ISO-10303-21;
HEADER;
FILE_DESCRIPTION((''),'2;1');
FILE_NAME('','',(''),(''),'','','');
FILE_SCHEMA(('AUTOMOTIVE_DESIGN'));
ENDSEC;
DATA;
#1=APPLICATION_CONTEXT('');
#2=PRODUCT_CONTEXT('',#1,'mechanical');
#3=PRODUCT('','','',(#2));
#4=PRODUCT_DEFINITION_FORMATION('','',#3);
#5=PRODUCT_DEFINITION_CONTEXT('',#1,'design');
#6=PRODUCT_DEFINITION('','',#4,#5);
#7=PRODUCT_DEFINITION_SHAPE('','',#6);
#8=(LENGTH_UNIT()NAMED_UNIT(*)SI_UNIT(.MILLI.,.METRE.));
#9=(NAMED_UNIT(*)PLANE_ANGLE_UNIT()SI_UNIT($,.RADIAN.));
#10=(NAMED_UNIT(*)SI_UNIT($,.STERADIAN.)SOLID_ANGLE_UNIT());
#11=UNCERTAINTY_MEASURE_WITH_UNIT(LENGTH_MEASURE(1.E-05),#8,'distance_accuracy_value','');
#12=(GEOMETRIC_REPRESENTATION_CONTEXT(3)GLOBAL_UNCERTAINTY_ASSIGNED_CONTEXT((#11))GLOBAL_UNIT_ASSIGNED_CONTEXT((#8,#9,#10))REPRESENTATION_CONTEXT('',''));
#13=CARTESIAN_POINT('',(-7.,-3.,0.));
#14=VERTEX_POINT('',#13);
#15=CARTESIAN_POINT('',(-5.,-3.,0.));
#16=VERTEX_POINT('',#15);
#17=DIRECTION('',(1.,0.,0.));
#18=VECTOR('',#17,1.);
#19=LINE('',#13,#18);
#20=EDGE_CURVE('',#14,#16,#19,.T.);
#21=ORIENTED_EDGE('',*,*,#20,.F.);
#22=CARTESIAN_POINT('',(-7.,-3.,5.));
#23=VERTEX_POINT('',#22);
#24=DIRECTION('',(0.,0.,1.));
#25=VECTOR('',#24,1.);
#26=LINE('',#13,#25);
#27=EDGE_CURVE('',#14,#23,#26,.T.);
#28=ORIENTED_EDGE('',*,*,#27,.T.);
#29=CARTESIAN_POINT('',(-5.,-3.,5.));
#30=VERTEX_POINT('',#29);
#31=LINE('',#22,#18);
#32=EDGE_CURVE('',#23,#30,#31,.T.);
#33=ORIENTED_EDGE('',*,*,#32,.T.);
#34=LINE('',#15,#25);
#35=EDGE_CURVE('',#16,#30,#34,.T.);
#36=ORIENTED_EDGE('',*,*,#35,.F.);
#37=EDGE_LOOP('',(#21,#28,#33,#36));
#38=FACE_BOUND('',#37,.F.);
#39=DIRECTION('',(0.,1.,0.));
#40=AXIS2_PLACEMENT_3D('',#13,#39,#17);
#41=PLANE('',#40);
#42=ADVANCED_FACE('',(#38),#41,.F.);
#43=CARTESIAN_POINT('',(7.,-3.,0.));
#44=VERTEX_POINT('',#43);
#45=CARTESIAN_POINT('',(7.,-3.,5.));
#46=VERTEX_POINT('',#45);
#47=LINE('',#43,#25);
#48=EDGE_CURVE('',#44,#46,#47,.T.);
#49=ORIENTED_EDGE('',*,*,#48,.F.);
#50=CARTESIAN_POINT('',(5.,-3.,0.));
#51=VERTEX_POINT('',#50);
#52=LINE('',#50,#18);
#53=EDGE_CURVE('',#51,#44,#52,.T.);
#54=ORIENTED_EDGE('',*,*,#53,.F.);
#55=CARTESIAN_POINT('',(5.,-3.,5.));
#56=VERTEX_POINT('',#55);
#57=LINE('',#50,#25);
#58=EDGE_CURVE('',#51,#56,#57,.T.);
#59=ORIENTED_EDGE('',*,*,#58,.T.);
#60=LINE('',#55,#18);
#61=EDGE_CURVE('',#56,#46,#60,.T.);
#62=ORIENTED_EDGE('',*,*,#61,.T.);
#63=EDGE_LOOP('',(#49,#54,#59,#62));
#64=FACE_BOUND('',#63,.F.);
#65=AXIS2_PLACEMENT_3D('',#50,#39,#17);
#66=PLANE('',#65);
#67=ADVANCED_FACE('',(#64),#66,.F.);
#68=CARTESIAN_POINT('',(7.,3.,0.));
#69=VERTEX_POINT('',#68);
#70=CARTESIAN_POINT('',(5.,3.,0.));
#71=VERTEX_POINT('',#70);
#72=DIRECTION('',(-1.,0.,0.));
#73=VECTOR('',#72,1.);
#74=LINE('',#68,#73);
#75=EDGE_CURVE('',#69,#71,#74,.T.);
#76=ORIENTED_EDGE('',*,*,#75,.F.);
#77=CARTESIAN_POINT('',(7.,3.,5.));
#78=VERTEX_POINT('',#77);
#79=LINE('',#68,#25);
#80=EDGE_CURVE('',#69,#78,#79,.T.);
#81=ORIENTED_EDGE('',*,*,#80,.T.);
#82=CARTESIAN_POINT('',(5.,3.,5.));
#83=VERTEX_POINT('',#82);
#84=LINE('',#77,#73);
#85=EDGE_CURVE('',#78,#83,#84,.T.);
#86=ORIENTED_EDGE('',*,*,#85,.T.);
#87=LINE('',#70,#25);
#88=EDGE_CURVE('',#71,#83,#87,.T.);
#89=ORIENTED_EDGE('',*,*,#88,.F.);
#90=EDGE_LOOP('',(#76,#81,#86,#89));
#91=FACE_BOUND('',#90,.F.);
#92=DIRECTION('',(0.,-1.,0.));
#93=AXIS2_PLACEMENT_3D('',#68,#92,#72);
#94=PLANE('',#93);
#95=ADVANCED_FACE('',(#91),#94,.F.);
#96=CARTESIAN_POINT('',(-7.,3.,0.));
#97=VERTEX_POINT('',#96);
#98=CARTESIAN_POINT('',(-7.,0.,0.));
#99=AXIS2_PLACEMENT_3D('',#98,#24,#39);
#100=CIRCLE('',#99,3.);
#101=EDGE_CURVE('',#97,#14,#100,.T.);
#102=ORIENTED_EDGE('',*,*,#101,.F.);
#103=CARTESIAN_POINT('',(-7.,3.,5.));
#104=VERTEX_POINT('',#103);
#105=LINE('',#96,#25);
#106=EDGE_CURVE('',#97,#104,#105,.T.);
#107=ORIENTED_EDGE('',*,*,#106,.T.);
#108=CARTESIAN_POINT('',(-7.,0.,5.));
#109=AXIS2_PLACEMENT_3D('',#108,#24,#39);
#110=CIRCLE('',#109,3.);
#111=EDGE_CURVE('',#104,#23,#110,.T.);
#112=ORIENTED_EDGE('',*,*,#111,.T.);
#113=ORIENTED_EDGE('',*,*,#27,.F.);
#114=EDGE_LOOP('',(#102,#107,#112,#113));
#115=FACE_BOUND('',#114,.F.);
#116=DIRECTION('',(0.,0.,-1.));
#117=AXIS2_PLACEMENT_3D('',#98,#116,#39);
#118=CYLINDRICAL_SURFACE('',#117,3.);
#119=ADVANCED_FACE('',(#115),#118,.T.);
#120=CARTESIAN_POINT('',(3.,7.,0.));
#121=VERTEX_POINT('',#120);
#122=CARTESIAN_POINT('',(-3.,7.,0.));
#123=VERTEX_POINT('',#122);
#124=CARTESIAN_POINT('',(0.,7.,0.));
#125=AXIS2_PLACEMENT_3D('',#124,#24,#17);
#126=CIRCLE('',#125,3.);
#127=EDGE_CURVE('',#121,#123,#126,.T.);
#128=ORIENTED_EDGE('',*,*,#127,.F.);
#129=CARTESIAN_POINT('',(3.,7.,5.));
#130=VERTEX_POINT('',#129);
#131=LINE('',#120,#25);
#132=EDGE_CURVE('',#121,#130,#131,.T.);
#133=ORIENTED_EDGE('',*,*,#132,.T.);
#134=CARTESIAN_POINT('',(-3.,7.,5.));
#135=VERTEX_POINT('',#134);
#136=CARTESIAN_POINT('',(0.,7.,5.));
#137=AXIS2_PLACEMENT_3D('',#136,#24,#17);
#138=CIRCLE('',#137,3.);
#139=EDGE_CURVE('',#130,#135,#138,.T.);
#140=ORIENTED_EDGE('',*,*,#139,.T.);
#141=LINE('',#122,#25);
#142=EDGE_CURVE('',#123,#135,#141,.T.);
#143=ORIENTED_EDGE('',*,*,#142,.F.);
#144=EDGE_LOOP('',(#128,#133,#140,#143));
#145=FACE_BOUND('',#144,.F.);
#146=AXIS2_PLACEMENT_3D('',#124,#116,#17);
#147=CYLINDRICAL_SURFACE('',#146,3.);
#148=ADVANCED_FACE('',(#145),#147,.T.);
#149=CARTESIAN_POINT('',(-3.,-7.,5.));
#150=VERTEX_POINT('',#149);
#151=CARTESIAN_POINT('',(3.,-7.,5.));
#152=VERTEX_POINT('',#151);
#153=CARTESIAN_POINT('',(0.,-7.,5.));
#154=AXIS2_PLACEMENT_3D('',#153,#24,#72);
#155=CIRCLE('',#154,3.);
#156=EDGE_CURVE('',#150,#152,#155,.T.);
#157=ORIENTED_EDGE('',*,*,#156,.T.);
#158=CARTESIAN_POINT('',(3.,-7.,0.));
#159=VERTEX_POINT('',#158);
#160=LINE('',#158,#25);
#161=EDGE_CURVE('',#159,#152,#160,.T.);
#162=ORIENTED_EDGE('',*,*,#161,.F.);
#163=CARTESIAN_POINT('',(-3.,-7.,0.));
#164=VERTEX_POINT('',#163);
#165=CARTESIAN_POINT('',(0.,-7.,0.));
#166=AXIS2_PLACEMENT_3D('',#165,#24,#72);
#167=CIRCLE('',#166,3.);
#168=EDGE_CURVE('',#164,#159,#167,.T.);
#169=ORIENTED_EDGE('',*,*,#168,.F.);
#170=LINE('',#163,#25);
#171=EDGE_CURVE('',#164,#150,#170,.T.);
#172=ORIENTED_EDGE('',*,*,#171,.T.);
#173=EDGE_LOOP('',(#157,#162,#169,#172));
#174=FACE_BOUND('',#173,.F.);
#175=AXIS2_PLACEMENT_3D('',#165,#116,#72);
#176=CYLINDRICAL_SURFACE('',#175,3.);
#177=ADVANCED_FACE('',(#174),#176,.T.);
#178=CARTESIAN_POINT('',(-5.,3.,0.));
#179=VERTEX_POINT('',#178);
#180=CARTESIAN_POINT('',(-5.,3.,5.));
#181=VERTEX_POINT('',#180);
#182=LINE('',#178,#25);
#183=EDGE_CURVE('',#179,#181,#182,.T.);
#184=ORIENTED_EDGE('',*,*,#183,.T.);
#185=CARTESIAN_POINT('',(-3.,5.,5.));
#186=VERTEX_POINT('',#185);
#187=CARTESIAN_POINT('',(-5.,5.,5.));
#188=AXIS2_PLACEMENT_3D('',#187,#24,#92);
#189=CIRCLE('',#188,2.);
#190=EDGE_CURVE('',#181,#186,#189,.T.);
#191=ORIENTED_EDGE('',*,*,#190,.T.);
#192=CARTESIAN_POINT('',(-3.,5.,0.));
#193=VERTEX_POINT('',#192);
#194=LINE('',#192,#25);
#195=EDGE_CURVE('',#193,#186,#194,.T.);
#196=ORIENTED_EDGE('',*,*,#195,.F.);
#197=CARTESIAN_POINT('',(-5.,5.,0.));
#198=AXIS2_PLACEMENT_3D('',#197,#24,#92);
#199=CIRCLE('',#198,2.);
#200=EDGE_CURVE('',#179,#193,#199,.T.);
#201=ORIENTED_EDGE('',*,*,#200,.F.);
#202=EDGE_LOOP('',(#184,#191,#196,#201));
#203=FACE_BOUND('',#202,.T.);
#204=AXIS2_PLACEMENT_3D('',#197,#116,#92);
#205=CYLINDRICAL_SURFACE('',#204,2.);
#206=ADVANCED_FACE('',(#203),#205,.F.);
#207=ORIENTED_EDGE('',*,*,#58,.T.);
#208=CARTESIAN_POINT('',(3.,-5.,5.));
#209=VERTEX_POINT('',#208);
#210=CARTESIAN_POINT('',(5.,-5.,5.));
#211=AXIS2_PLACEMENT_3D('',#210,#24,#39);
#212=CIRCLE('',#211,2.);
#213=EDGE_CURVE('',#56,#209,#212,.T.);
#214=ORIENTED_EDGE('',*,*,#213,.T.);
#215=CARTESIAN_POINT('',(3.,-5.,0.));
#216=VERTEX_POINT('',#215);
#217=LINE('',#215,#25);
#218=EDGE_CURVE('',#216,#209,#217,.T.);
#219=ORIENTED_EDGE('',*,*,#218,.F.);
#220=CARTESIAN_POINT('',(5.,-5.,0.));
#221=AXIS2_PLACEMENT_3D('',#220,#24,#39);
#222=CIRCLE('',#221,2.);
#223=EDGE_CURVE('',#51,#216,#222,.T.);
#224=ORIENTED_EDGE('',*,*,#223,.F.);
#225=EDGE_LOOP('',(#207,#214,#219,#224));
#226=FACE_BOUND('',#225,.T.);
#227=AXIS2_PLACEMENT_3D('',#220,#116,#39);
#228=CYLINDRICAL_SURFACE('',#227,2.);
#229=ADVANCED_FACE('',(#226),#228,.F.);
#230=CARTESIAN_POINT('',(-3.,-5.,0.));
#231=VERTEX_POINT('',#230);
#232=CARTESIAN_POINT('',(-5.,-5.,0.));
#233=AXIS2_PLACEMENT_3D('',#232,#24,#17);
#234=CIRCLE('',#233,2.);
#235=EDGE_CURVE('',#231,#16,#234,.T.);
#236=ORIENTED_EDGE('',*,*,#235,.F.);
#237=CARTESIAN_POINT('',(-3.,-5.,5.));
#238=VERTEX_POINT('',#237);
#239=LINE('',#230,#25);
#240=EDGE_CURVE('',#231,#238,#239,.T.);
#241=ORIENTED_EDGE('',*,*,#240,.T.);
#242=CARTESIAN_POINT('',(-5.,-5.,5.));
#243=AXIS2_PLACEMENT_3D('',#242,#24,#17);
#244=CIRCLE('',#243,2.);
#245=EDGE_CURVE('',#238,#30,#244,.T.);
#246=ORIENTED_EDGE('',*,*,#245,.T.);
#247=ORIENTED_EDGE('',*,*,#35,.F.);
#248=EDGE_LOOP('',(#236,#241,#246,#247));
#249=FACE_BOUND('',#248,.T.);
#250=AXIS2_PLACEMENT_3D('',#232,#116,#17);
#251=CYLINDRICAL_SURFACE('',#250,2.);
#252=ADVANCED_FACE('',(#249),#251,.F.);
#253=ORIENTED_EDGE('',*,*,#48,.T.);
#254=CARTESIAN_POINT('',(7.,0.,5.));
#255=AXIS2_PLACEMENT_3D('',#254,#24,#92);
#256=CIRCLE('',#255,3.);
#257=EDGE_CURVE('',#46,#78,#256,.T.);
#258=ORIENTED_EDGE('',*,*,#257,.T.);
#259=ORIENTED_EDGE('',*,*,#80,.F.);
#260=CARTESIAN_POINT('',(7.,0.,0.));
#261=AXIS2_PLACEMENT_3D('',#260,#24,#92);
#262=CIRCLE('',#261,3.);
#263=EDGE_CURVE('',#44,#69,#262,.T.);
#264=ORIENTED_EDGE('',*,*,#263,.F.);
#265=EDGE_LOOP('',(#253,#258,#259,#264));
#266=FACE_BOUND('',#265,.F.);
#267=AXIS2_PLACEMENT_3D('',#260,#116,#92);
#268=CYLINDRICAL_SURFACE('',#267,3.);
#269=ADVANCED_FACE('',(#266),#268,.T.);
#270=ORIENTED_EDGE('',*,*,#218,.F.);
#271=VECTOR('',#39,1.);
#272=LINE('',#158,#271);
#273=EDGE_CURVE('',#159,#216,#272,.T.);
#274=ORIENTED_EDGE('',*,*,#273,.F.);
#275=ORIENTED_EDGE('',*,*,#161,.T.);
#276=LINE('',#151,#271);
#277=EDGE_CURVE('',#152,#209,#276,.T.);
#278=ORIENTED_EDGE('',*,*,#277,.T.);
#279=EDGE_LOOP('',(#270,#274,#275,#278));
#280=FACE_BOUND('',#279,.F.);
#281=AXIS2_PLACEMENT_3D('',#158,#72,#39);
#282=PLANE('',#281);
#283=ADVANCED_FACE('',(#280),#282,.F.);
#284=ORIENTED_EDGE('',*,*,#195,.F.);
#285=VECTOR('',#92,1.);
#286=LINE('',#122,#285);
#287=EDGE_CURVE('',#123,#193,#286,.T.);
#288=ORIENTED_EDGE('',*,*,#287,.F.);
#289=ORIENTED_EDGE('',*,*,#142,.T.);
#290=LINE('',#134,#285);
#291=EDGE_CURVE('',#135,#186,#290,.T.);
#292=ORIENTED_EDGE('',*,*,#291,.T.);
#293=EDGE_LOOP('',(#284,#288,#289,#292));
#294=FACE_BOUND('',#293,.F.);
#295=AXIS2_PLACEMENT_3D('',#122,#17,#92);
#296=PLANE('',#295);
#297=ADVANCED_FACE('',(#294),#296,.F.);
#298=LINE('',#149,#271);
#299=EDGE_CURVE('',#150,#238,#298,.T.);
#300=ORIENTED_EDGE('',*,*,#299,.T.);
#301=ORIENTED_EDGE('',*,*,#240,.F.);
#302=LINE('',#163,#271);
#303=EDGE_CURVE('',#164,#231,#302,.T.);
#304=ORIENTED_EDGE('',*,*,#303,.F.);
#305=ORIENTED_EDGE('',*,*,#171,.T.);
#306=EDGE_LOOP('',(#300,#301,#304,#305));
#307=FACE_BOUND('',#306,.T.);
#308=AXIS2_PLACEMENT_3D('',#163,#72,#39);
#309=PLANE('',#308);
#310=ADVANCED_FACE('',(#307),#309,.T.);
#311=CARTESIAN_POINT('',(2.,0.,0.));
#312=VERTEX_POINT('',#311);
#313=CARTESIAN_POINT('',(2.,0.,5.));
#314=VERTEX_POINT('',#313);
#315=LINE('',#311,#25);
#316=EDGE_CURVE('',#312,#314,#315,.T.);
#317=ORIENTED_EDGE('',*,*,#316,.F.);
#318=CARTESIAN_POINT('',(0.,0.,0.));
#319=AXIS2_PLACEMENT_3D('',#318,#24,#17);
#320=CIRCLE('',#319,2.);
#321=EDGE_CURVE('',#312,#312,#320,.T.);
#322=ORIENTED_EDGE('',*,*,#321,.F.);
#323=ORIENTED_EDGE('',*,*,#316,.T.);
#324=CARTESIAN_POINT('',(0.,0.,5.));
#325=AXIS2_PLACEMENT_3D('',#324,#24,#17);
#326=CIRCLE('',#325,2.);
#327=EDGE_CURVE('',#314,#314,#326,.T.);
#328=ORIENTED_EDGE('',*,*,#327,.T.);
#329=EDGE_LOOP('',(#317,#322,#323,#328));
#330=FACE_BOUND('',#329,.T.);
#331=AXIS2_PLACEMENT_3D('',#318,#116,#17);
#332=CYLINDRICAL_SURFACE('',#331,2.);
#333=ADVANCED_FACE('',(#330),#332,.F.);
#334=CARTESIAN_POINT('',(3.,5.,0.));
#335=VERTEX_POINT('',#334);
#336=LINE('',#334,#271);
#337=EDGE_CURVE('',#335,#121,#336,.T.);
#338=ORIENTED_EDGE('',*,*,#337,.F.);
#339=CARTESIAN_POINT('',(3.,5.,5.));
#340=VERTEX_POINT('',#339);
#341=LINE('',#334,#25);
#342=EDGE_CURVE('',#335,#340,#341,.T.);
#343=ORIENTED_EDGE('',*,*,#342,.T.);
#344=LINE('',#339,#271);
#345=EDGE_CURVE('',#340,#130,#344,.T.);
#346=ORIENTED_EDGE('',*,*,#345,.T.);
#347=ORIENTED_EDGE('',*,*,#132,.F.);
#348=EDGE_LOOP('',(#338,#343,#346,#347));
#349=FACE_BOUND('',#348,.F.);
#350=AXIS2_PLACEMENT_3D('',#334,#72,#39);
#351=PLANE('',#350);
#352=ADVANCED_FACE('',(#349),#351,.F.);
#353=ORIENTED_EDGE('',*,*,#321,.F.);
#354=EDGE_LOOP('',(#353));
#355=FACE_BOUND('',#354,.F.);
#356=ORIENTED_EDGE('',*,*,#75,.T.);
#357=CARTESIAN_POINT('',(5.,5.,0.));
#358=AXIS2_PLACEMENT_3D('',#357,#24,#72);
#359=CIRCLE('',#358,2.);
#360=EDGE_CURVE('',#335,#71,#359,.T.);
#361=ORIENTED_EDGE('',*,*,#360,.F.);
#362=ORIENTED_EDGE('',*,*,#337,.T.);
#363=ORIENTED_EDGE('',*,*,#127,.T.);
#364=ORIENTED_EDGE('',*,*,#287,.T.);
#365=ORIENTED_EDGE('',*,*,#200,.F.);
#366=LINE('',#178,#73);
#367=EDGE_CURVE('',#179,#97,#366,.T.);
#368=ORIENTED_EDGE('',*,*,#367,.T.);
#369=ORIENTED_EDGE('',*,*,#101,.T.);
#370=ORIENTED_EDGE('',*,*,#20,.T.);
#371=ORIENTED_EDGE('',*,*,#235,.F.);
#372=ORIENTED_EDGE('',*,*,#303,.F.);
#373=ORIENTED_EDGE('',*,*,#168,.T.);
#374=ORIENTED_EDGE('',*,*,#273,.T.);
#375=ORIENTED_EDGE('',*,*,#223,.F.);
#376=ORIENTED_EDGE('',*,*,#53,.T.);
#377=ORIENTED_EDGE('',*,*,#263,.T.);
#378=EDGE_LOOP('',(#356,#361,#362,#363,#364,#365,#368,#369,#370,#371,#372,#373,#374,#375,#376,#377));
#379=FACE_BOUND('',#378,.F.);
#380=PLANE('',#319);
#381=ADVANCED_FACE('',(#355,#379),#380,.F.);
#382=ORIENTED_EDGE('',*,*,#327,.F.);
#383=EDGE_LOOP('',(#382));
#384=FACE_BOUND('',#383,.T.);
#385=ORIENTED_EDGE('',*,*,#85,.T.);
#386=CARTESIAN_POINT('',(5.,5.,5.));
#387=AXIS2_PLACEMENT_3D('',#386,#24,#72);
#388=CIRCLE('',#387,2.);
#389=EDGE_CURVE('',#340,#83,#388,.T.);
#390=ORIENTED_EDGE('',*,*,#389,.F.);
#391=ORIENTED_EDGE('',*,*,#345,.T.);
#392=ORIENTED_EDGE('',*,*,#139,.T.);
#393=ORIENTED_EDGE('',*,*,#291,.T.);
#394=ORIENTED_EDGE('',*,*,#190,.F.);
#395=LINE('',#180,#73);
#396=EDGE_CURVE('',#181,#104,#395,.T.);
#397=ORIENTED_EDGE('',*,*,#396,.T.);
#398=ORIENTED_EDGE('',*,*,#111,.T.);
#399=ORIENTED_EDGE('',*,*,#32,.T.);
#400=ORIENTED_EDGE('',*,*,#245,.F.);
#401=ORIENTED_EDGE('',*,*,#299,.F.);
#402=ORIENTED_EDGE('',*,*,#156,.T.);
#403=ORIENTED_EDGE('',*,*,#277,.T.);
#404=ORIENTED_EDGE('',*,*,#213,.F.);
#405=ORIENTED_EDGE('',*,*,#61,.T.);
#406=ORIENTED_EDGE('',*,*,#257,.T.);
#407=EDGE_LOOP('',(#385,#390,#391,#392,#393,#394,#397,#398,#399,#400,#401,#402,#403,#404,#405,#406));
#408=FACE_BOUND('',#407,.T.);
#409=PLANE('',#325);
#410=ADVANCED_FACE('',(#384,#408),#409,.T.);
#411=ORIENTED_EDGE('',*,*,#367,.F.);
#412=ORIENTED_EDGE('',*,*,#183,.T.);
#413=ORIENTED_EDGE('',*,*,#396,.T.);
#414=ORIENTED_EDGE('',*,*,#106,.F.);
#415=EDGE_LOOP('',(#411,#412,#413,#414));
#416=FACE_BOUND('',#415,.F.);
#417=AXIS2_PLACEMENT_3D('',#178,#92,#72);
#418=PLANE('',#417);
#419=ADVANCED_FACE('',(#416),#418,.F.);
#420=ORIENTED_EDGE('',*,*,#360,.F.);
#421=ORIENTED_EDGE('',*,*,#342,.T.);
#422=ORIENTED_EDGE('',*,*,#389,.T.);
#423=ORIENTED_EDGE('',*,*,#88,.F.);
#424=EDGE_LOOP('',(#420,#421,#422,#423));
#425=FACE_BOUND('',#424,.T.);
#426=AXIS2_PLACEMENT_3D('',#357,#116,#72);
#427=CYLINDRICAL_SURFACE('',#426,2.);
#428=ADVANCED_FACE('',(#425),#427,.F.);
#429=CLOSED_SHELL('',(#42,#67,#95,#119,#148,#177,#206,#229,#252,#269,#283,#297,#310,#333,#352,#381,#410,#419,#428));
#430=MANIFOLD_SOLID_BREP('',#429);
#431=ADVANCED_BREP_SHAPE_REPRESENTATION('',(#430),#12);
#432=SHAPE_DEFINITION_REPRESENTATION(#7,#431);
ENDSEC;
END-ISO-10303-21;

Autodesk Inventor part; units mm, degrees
ref_plane "YZ Plane" through (0, 0, 0) normal (1, 0, 0) x (0, 1, 0)
ref_plane "XZ Plane" through (0, 0, 0) normal (0, 1, 0) x (-1, 0, 0)
ref_plane "XY Plane" through (0, 0, 0) normal (0, 0, 1) x (1, 0, 0)
sketch "Náčrt1" plane through (0, 0, 0) normal (0, 0, 1) x (1, 0, 0)
  circle A0 centre (0, 0) radius 2
  line L0 (0, -7) -> (0, 7) construction
  line L1 (3, 5) -> (3, 7)
  line L2 (-3, 7) -> (-3, 5)
  arc A1 (-3, -7) -> (3, -7) centre (0, -7) ccw
  arc A2 (3, 7) -> (-3, 7) centre (0, 7) ccw
  line L3 (-7, 0) -> (7, 0) construction
  line L4 (-7, -3) -> (-5, -3)
  line L5 (-5, 3) -> (-7, 3)
  arc A3 (-7, 3) -> (-7, -3) centre (-7, 0) ccw
  arc A4 (7, -3) -> (7, 3) centre (7, 0) ccw
  arc A5 (-5, 3) -> (-3, 5) centre (-5, 5) ccw
  line L6 (-3, -7) -> (-3, -5)
  line L7 (3, -7) -> (3, -5)
  line L8 (5, -3) -> (7, -3)
  line L9 (7, 3) -> (5, 3)
  line L10 (3, 7) -> (3, 3)
  arc A6 (-3, -5) -> (-5, -3) centre (-5, -5) ccw
  arc A7 (5, -3) -> (3, -5) centre (5, -5) ccw
  arc A8 (3, 5) -> (5, 3) centre (5, 5) ccw
  point P0 (3, -3)
  dimension "d0" = 4
  dimension "d1" = 7
  dimension "d2" = 6
  dimension "d3" = 7
  dimension "d4" = 6
  dimension "d5" = 2
  dimension "d6" = 2
extrude "Vysunutí1" add sketch "Náčrt1" along normal blind 5
properties part number "baterry"
